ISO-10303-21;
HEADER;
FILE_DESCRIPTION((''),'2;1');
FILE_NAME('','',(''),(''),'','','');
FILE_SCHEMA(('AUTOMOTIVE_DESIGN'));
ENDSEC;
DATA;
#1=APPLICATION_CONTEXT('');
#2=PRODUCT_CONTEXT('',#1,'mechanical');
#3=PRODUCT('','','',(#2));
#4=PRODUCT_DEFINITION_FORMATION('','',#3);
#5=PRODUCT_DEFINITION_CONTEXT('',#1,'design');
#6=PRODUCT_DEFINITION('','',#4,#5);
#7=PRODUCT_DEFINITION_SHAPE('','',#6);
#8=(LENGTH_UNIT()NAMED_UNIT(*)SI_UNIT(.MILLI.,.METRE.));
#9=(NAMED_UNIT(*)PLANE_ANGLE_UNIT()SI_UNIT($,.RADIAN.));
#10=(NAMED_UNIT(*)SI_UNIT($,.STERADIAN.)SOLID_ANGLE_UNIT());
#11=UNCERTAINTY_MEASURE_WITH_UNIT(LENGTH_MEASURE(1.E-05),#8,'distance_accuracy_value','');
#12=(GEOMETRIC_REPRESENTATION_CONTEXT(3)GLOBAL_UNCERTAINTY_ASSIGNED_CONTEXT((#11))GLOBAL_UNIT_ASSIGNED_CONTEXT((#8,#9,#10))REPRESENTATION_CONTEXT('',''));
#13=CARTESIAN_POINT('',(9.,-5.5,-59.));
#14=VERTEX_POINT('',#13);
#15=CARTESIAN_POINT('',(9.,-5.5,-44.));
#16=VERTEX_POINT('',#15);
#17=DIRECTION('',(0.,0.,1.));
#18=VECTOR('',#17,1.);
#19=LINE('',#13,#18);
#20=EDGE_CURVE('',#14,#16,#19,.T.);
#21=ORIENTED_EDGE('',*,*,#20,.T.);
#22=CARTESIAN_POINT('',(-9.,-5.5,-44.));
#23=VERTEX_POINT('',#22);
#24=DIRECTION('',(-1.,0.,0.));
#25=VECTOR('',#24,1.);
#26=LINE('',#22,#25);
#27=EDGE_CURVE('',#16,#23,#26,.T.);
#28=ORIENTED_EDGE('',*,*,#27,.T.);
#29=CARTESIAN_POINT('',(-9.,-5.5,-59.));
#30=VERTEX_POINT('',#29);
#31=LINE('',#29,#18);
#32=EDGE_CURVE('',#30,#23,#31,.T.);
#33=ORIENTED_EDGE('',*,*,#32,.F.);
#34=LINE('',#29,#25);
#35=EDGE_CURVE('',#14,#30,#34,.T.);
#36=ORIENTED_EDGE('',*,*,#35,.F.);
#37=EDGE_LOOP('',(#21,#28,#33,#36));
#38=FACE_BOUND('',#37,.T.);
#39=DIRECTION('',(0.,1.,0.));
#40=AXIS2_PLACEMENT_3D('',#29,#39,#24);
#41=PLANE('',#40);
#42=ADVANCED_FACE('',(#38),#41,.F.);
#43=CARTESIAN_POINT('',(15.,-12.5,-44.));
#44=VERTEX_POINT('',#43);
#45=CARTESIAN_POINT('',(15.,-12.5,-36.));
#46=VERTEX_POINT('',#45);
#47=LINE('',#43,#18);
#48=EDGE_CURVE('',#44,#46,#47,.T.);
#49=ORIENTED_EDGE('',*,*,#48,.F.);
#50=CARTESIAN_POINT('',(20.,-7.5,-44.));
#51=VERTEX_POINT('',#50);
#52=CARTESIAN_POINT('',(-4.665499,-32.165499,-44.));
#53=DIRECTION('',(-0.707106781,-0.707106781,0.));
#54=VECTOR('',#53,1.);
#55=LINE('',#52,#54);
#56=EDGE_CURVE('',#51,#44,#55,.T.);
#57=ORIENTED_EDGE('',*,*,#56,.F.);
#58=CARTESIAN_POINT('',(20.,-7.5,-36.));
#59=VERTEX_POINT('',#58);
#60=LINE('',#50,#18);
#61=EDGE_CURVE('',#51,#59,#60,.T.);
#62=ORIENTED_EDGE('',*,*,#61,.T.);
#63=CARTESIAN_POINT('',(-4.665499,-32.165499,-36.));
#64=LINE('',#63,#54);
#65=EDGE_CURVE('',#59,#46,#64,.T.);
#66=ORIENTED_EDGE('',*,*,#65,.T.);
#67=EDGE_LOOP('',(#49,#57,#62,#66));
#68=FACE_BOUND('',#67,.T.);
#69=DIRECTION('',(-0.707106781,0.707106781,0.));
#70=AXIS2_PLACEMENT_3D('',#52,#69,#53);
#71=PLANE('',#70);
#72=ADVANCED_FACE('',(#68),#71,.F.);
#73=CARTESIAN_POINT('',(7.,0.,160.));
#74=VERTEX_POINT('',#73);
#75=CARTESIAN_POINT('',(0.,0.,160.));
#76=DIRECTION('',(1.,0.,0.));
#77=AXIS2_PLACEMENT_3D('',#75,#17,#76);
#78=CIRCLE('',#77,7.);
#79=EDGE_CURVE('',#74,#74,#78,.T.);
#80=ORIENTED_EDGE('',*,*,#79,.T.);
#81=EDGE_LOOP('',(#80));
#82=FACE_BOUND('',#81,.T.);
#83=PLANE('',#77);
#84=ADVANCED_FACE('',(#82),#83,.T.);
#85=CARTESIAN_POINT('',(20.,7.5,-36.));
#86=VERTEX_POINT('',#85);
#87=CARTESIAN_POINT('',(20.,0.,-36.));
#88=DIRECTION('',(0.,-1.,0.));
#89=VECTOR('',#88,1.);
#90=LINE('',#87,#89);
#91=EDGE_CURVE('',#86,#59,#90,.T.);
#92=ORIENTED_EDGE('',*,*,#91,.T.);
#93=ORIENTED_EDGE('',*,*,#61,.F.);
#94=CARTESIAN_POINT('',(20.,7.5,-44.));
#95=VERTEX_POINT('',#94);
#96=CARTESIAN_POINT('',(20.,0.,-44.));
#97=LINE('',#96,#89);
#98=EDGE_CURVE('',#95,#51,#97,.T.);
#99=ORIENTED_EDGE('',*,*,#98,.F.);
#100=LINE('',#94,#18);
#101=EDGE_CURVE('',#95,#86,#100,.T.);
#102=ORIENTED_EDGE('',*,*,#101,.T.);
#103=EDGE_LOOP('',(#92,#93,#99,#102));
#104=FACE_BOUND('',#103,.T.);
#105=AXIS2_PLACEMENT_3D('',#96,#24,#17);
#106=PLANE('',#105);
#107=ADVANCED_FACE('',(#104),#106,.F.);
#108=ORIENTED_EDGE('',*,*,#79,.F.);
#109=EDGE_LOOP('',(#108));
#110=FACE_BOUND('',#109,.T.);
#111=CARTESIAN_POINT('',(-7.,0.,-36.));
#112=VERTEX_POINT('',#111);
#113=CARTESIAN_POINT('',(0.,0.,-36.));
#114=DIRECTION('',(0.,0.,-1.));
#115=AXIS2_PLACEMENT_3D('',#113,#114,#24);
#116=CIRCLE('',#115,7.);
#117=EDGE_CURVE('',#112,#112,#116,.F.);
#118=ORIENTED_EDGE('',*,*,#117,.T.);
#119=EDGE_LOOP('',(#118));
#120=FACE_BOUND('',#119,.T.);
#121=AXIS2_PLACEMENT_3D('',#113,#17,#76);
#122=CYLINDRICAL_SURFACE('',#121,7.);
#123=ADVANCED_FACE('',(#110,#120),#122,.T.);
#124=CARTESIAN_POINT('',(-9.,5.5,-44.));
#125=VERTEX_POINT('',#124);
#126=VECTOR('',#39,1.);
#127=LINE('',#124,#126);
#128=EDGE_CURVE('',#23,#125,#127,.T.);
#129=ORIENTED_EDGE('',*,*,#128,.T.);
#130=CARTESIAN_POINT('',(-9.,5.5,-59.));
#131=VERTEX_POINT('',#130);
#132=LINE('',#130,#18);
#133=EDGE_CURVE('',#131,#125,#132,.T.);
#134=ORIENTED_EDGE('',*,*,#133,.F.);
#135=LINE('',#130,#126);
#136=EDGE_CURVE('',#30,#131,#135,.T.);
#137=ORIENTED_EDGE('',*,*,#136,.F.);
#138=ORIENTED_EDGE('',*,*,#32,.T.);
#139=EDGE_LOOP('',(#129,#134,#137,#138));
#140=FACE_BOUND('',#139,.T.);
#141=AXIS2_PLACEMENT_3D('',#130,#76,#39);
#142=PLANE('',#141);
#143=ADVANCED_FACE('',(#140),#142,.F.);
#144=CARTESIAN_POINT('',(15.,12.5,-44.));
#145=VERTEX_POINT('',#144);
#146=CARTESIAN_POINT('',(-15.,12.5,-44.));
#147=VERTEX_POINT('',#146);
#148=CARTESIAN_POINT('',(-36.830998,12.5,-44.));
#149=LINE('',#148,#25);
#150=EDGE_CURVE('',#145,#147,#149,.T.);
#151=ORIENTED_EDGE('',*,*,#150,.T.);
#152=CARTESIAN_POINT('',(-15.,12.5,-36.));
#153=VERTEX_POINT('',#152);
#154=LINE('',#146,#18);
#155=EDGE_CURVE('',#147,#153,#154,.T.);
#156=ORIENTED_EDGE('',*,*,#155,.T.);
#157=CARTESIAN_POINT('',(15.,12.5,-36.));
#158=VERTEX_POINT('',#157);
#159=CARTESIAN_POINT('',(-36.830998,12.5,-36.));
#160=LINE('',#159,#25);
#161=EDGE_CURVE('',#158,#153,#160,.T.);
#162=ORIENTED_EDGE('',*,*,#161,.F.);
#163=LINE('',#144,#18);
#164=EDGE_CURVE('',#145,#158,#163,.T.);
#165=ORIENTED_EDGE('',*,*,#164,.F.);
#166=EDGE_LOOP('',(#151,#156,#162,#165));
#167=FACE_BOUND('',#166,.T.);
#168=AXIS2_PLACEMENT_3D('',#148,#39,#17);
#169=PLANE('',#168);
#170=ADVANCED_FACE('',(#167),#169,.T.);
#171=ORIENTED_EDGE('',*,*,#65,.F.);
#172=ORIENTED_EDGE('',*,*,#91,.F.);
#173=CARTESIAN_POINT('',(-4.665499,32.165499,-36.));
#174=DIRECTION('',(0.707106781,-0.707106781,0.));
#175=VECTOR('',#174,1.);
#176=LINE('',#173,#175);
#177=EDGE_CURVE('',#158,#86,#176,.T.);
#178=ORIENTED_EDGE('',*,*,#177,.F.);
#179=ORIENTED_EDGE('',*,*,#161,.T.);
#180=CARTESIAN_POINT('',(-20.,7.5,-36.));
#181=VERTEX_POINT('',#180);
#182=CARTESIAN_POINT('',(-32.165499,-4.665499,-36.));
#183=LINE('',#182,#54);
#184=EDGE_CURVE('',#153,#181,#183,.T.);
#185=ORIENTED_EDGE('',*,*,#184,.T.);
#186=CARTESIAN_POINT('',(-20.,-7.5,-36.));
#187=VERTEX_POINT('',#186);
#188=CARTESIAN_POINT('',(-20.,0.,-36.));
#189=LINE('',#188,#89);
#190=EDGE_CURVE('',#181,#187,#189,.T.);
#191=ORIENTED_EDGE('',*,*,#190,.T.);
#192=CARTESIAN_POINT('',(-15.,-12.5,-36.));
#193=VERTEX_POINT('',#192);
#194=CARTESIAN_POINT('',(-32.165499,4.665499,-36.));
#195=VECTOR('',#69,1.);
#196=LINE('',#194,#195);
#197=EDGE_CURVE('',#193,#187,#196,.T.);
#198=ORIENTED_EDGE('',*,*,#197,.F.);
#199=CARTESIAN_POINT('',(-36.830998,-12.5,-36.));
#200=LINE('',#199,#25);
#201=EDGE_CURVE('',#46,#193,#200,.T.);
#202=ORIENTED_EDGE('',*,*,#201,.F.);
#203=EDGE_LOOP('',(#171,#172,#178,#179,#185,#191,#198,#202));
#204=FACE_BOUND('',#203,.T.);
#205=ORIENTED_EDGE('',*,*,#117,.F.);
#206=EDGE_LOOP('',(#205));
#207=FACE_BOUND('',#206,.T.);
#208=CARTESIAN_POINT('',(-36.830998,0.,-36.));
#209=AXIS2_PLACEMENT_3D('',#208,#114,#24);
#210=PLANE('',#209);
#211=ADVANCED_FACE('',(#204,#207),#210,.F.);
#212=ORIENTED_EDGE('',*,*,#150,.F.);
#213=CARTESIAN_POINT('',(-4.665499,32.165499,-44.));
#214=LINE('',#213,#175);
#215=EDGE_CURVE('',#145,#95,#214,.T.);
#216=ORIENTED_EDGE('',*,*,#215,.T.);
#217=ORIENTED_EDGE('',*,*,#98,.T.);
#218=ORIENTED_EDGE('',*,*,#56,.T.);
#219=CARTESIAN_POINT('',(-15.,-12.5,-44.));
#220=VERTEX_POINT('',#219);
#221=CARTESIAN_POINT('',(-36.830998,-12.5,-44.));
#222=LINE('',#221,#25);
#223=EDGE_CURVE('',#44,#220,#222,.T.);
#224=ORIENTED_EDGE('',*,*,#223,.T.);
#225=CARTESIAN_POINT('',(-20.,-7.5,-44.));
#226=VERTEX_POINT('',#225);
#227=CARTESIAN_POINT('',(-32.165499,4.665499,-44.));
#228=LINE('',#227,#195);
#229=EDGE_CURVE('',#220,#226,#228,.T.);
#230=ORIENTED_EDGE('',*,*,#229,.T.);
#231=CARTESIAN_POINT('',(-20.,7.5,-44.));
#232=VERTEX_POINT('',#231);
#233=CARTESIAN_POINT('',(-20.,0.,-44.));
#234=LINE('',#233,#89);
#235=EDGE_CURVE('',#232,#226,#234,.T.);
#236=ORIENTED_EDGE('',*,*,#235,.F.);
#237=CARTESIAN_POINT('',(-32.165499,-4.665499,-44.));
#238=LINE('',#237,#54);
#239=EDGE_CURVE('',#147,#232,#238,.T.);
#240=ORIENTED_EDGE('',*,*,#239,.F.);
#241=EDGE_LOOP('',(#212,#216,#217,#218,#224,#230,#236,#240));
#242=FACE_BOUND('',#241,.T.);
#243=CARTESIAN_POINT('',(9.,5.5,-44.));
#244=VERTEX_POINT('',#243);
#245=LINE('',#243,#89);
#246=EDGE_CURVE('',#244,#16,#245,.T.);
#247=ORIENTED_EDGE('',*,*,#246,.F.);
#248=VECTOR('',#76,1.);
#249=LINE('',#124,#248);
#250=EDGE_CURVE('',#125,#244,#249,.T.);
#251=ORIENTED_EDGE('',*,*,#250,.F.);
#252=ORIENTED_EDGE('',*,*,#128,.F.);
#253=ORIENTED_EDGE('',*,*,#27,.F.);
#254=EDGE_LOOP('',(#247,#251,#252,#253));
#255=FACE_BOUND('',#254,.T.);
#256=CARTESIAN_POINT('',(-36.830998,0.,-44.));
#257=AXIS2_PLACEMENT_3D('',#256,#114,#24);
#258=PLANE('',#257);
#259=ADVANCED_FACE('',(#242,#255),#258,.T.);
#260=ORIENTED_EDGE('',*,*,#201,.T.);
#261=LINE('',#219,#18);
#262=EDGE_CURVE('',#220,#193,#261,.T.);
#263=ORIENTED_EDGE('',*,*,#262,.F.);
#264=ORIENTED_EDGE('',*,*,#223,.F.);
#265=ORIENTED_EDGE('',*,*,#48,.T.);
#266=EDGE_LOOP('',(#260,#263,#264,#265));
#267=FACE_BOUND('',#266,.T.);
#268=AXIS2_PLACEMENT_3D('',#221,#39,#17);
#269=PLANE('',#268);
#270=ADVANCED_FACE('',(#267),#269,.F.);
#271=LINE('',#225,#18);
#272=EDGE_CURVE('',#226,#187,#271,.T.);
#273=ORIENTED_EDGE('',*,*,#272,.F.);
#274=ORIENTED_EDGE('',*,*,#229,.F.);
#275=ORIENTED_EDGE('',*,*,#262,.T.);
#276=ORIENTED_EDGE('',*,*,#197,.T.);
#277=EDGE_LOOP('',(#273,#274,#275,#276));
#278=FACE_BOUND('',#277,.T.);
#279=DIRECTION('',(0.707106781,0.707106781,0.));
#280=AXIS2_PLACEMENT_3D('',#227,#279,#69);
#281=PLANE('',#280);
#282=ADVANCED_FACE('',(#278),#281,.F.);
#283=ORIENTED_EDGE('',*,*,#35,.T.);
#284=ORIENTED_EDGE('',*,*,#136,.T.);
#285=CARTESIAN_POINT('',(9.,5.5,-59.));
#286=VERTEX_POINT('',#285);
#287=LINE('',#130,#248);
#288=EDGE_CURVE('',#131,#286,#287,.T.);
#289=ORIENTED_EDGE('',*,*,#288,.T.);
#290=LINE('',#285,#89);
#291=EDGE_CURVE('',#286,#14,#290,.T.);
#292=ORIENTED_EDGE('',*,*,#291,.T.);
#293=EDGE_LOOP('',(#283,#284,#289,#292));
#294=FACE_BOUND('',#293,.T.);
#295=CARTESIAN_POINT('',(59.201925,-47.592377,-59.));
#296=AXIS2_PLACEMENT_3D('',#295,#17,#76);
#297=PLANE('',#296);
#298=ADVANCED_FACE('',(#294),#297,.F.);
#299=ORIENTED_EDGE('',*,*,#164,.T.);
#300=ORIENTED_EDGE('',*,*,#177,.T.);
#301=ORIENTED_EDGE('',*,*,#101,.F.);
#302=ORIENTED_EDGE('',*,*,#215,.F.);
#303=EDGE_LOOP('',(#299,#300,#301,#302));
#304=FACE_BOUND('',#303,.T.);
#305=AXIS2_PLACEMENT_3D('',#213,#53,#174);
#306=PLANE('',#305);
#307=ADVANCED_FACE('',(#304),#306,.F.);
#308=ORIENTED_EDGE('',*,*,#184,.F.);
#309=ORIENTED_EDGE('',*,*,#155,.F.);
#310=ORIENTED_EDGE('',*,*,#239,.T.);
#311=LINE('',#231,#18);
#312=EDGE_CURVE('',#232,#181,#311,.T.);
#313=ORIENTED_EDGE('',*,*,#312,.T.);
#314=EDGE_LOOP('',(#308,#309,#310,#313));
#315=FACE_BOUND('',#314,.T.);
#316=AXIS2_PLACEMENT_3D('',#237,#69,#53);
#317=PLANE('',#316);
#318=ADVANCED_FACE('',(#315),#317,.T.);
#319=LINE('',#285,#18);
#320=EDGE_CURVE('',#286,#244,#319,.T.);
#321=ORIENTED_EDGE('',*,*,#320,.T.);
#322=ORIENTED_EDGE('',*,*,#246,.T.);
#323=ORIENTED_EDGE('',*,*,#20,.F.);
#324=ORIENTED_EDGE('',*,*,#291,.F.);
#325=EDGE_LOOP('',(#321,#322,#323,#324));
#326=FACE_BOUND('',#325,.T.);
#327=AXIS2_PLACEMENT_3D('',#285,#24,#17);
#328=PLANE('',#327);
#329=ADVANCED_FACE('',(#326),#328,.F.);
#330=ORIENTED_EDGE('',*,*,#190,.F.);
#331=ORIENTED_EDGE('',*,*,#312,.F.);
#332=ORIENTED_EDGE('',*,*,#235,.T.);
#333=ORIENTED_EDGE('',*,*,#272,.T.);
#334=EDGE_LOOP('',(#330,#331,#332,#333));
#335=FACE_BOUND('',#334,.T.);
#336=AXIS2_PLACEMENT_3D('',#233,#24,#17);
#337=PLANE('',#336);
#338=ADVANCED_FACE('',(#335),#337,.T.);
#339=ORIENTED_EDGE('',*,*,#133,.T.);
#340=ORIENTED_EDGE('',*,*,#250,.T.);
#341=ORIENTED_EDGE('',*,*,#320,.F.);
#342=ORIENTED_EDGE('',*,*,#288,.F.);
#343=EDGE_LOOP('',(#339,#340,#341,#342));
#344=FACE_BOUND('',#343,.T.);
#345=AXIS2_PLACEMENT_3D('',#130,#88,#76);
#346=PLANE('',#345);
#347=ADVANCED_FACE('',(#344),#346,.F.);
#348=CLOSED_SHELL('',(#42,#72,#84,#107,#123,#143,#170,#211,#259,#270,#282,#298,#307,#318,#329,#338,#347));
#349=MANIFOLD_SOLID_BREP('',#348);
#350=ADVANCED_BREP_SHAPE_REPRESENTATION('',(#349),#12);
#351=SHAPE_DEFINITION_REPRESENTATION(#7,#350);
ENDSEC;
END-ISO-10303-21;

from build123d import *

# Parameters (mm, degrees)
SKETCH_1_R             = 7
EXTRUDE_1_DEPTH        = 160
EXTRUDE_1_DEPTH_BACK   = 36
SKETCH_2_R             = 7
EXTRUDE_2_DEPTH        = 8
SKETCH_3_W             = 18
SKETCH_3_H             = 11
EXTRUDE_3_DEPTH        = 15
EXTRUDE_4_DEPTH        = 30
SKETCH_5_W             = 60
SKETCH_5_H             = 40
EXTRUDE_5_DEPTH        = 6
SKETCH_6_W             = 60
SKETCH_6_H             = 6
EXTRUDE_6_DEPTH        = 60
SKETCH_7_W             = 29.455878384
SKETCH_7_H             = 4
EXTRUDE_7_DEPTH        = 8
PATTERN_LINEAR_1_COUNT = 2
PATTERN_LINEAR_1_PITCH = 52
SKETCH_8_W             = 118.40385017
SKETCH_8_H             = 95.184754192
CUT_EXTRUDE_1_DEPTH    = 200


with BuildPart() as part:
    # 草图1 → 凸台-拉伸1 (new body, two sides)
    with BuildSketch(Plane.XY) as extrude_1_sk:
        Circle(SKETCH_1_R)
    extrude(amount=EXTRUDE_1_DEPTH)
    extrude(extrude_1_sk.sketch, amount=-EXTRUDE_1_DEPTH_BACK)

    # 草图2 → 凸台-拉伸2 (add)
    with BuildSketch(Plane(origin=(0, 0, -36), x_dir=(-1, 0, 0), z_dir=(0, 0, -1))):
        Polygon((20, 7.5), (15, 12.5), (-15, 12.5), (-20, 7.5), (-20, -7.5), (-15, -12.5), (15, -12.5), (20, -7.5), align=None)
        Circle(SKETCH_2_R, mode=Mode.SUBTRACT)
        Circle(SKETCH_2_R)
    extrude(amount=EXTRUDE_2_DEPTH)

    # 草图3 → 凸台-拉伸3 (add)
    with BuildSketch(Plane(origin=(0, 0, -44), x_dir=(-1, 0, 0), z_dir=(0, 0, -1))):
        Rectangle(SKETCH_3_W, SKETCH_3_H)
    extrude(amount=EXTRUDE_3_DEPTH)

    # 草图4 → 凸台-拉伸4 (add)
    with BuildSketch(Plane(origin=(0, 0, -59), x_dir=(-1, 0, 0), z_dir=(0, 0, -1))):
        with BuildLine():
            Line((-15, -12.5), (-15, 12.5))
            ThreePointArc((-15, 12.5), (-27.5, 0), (-15, -12.5))
        make_face()
        with BuildLine():
            ThreePointArc((-3.77502784, 5.5), (-8.385621722, 10.606601718), (-15, 12.5))
            Line((-15, 12.5), (-15, -12.5))
            ThreePointArc((-15, -12.5), (-8.385621722, -10.606601718), (-3.77502784, -5.5))
            Line((-3.77502784, -5.5), (-9, -5.5))
            Line((-9, -5.5), (-9, 5.5))
            Line((-9, 5.5), (-3.77502784, 5.5))
        make_face()
        with BuildLine():
            ThreePointArc((-2.5, 0), (-2.822928267, 2.822928267), (-3.77502784, 5.5))
            Line((-3.77502784, 5.5), (-9, 5.5))
            Line((-9, 5.5), (-9, -5.5))
            Line((-9, -5.5), (-3.77502784, -5.5))
            ThreePointArc((-3.77502784, -5.5), (-2.822928267, -2.822928267), (-2.5, 0))
        make_face()
        with BuildLine():
            ThreePointArc((3.77502784, -5.5), (2.5, 0), (3.77502784, 5.5))
            Line((3.77502784, 5.5), (-3.77502784, 5.5))
            ThreePointArc((-3.77502784, 5.5), (-2.822928267, 2.822928267), (-2.5, 0))
            ThreePointArc((-2.5, 0), (-2.822928267, -2.822928267), (-3.77502784, -5.5))
            Line((-3.77502784, -5.5), (3.77502784, -5.5))
        make_face()
        with BuildLine():
            Line((9, 5.5), (3.77502784, 5.5))
            ThreePointArc((3.77502784, 5.5), (2.5, 0), (3.77502784, -5.5))
            Line((3.77502784, -5.5), (9, -5.5))
            Line((9, -5.5), (9, 5.5))
        make_face()
        with BuildLine():
            Line((15, -12.5), (15, 12.5))
            ThreePointArc((15, 12.5), (8.385621722, 10.606601718), (3.77502784, 5.5))
            Line((3.77502784, 5.5), (9, 5.5))
            Line((9, 5.5), (9, -5.5))
            Line((9, -5.5), (3.77502784, -5.5))
            ThreePointArc((3.77502784, -5.5), (8.385621722, -10.606601718), (15, -12.5))
        make_face()
        with BuildLine():
            ThreePointArc((27.5, 0), (23.838834765, 8.838834765), (15, 12.5))
            Line((15, 12.5), (15, -12.5))
            ThreePointArc((15, -12.5), (23.838834765, -8.838834765), (27.5, 0))
        make_face()
        with BuildLine():
            Line((-15, -12.5), (15, -12.5))
            ThreePointArc((15, -12.5), (8.385621722, -10.606601718), (3.77502784, -5.5))
            Line((3.77502784, -5.5), (-3.77502784, -5.5))
            ThreePointArc((-3.77502784, -5.5), (-8.385621722, -10.606601718), (-15, -12.5))
        make_face()
        with BuildLine():
            ThreePointArc((3.77502784, 5.5), (8.385621722, 10.606601718), (15, 12.5))
            Line((15, 12.5), (-15, 12.5))
            ThreePointArc((-15, 12.5), (-8.385621722, 10.606601718), (-3.77502784, 5.5))
            Line((-3.77502784, 5.5), (3.77502784, 5.5))
        make_face()
    extrude(amount=EXTRUDE_4_DEPTH)

    # 草图5 → 凸台-拉伸5 (add)
    with BuildSketch(Plane(origin=(0, 0, -89), x_dir=(-1, 0, 0), z_dir=(0, 0, -1))):
        Rectangle(SKETCH_5_W, SKETCH_5_H)
    extrude(amount=EXTRUDE_5_DEPTH)

    # 草图6 → 凸台-拉伸6 (add)
    with BuildSketch(Plane(origin=(0, 0, -95), x_dir=(-1, 0, 0), z_dir=(0, 0, -1))):
        with Locations((0, 17)):
            Rectangle(SKETCH_6_W, SKETCH_6_H)
        with Locations((0, -17)):
            Rectangle(SKETCH_6_W, SKETCH_6_H)
    extrude(amount=EXTRUDE_6_DEPTH)

    # 草图7 → 凸台-拉伸7 (add)
    with BuildSketch(Plane.ZY.offset(30)):
        Polygon((-125, 8), (-125, 14), (-155, 14), (-160, 14), (-160, 8), align=None)
        Polygon((-125, -8), (-160, -8), (-160, -14), (-155, -14), (-125, -14), align=None)
        Polygon((-160, 8), (-160, 14), (-166, 14), (-166, 4), (-166, 0), (-166, -4), (-166, -14), (-160, -14), (-160, -8), align=None)
        with Locations((-180.727939192, -2)):
            Rectangle(SKETCH_7_W, SKETCH_7_H)
        with Locations((-180.727939192, 2)):
            Rectangle(SKETCH_7_W, SKETCH_7_H)
    extrude_7 = extrude(amount=-EXTRUDE_7_DEPTH)

    # 阵列(线性)1: 凸台-拉伸7 ×2
    with Locations(*[(i * PATTERN_LINEAR_1_PITCH, 0, 0) for i in range(1, PATTERN_LINEAR_1_COUNT)]):
        add(extrude_7)

    # 草图8 → 切除-拉伸1 (cut)
    with BuildSketch(Plane.XY.offset(-59)):
        Rectangle(SKETCH_8_W, SKETCH_8_H)
    extrude(amount=-CUT_EXTRUDE_1_DEPTH, mode=Mode.SUBTRACT)


solid = part.part
